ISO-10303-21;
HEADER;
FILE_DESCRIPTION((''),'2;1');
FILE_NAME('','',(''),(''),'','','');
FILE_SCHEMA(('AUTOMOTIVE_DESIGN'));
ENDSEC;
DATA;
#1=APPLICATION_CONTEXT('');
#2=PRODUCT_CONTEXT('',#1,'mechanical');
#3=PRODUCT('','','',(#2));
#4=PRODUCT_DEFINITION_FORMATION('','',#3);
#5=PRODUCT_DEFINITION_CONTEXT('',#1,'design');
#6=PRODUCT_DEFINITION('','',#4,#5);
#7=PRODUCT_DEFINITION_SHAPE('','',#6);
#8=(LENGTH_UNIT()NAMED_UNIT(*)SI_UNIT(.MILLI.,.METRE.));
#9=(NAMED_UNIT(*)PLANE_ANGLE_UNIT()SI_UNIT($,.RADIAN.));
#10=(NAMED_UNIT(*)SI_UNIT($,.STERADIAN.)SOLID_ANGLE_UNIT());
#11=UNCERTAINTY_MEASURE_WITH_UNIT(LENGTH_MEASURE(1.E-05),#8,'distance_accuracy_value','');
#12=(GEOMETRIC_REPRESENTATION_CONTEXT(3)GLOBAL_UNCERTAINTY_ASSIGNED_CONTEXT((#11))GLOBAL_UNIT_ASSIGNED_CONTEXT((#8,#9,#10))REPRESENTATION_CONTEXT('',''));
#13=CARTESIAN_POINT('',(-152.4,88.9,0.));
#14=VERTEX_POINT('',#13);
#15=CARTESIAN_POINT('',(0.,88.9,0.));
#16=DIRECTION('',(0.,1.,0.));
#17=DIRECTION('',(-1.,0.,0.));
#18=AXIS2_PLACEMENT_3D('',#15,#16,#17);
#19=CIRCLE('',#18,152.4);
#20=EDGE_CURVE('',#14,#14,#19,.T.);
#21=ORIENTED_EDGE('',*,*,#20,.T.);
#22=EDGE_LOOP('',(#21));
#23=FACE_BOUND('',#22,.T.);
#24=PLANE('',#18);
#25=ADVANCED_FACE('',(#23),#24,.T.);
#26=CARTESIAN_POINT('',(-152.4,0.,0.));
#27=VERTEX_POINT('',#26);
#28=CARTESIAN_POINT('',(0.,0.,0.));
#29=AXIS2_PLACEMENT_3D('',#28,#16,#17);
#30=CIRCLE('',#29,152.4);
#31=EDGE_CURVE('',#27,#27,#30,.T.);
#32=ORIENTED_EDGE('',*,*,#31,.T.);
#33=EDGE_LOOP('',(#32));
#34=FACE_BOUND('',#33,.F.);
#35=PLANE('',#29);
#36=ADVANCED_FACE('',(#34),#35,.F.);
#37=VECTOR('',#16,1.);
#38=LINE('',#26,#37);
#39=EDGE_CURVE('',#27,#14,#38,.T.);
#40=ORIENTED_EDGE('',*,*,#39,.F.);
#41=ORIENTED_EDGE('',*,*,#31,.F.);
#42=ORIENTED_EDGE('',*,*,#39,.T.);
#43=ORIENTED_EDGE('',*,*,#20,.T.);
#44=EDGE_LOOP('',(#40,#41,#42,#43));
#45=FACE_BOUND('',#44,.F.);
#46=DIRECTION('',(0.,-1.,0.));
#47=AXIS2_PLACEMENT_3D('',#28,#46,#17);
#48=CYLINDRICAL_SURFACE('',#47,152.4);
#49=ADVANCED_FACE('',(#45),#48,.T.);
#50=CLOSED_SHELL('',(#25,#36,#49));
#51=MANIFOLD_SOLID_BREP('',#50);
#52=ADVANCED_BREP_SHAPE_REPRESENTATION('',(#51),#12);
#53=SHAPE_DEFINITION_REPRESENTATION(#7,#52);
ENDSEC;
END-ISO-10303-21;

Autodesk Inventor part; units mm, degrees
ref_plane "YZ Plane" through (0, 0, 0) normal (1, 0, 0) x (0, 1, 0)
ref_plane "XZ Plane" through (0, 0, 0) normal (0, 1, 0) x (-1, 0, 0)
ref_plane "XY Plane" through (0, 0, 0) normal (0, 0, 1) x (1, 0, 0)
sketch "Sketch2" plane through (0, 0, 0) normal (0, 1, 0) x (-1, 0, 0)
  circle A0 centre (0, 0) radius 152.4
  dimension "d0" = 304.8
  dimension "d0" = 304.8
extrude "Extrusion1" add sketch "Sketch2" along normal blind 88.9
properties part number "HopperRepresentation"
